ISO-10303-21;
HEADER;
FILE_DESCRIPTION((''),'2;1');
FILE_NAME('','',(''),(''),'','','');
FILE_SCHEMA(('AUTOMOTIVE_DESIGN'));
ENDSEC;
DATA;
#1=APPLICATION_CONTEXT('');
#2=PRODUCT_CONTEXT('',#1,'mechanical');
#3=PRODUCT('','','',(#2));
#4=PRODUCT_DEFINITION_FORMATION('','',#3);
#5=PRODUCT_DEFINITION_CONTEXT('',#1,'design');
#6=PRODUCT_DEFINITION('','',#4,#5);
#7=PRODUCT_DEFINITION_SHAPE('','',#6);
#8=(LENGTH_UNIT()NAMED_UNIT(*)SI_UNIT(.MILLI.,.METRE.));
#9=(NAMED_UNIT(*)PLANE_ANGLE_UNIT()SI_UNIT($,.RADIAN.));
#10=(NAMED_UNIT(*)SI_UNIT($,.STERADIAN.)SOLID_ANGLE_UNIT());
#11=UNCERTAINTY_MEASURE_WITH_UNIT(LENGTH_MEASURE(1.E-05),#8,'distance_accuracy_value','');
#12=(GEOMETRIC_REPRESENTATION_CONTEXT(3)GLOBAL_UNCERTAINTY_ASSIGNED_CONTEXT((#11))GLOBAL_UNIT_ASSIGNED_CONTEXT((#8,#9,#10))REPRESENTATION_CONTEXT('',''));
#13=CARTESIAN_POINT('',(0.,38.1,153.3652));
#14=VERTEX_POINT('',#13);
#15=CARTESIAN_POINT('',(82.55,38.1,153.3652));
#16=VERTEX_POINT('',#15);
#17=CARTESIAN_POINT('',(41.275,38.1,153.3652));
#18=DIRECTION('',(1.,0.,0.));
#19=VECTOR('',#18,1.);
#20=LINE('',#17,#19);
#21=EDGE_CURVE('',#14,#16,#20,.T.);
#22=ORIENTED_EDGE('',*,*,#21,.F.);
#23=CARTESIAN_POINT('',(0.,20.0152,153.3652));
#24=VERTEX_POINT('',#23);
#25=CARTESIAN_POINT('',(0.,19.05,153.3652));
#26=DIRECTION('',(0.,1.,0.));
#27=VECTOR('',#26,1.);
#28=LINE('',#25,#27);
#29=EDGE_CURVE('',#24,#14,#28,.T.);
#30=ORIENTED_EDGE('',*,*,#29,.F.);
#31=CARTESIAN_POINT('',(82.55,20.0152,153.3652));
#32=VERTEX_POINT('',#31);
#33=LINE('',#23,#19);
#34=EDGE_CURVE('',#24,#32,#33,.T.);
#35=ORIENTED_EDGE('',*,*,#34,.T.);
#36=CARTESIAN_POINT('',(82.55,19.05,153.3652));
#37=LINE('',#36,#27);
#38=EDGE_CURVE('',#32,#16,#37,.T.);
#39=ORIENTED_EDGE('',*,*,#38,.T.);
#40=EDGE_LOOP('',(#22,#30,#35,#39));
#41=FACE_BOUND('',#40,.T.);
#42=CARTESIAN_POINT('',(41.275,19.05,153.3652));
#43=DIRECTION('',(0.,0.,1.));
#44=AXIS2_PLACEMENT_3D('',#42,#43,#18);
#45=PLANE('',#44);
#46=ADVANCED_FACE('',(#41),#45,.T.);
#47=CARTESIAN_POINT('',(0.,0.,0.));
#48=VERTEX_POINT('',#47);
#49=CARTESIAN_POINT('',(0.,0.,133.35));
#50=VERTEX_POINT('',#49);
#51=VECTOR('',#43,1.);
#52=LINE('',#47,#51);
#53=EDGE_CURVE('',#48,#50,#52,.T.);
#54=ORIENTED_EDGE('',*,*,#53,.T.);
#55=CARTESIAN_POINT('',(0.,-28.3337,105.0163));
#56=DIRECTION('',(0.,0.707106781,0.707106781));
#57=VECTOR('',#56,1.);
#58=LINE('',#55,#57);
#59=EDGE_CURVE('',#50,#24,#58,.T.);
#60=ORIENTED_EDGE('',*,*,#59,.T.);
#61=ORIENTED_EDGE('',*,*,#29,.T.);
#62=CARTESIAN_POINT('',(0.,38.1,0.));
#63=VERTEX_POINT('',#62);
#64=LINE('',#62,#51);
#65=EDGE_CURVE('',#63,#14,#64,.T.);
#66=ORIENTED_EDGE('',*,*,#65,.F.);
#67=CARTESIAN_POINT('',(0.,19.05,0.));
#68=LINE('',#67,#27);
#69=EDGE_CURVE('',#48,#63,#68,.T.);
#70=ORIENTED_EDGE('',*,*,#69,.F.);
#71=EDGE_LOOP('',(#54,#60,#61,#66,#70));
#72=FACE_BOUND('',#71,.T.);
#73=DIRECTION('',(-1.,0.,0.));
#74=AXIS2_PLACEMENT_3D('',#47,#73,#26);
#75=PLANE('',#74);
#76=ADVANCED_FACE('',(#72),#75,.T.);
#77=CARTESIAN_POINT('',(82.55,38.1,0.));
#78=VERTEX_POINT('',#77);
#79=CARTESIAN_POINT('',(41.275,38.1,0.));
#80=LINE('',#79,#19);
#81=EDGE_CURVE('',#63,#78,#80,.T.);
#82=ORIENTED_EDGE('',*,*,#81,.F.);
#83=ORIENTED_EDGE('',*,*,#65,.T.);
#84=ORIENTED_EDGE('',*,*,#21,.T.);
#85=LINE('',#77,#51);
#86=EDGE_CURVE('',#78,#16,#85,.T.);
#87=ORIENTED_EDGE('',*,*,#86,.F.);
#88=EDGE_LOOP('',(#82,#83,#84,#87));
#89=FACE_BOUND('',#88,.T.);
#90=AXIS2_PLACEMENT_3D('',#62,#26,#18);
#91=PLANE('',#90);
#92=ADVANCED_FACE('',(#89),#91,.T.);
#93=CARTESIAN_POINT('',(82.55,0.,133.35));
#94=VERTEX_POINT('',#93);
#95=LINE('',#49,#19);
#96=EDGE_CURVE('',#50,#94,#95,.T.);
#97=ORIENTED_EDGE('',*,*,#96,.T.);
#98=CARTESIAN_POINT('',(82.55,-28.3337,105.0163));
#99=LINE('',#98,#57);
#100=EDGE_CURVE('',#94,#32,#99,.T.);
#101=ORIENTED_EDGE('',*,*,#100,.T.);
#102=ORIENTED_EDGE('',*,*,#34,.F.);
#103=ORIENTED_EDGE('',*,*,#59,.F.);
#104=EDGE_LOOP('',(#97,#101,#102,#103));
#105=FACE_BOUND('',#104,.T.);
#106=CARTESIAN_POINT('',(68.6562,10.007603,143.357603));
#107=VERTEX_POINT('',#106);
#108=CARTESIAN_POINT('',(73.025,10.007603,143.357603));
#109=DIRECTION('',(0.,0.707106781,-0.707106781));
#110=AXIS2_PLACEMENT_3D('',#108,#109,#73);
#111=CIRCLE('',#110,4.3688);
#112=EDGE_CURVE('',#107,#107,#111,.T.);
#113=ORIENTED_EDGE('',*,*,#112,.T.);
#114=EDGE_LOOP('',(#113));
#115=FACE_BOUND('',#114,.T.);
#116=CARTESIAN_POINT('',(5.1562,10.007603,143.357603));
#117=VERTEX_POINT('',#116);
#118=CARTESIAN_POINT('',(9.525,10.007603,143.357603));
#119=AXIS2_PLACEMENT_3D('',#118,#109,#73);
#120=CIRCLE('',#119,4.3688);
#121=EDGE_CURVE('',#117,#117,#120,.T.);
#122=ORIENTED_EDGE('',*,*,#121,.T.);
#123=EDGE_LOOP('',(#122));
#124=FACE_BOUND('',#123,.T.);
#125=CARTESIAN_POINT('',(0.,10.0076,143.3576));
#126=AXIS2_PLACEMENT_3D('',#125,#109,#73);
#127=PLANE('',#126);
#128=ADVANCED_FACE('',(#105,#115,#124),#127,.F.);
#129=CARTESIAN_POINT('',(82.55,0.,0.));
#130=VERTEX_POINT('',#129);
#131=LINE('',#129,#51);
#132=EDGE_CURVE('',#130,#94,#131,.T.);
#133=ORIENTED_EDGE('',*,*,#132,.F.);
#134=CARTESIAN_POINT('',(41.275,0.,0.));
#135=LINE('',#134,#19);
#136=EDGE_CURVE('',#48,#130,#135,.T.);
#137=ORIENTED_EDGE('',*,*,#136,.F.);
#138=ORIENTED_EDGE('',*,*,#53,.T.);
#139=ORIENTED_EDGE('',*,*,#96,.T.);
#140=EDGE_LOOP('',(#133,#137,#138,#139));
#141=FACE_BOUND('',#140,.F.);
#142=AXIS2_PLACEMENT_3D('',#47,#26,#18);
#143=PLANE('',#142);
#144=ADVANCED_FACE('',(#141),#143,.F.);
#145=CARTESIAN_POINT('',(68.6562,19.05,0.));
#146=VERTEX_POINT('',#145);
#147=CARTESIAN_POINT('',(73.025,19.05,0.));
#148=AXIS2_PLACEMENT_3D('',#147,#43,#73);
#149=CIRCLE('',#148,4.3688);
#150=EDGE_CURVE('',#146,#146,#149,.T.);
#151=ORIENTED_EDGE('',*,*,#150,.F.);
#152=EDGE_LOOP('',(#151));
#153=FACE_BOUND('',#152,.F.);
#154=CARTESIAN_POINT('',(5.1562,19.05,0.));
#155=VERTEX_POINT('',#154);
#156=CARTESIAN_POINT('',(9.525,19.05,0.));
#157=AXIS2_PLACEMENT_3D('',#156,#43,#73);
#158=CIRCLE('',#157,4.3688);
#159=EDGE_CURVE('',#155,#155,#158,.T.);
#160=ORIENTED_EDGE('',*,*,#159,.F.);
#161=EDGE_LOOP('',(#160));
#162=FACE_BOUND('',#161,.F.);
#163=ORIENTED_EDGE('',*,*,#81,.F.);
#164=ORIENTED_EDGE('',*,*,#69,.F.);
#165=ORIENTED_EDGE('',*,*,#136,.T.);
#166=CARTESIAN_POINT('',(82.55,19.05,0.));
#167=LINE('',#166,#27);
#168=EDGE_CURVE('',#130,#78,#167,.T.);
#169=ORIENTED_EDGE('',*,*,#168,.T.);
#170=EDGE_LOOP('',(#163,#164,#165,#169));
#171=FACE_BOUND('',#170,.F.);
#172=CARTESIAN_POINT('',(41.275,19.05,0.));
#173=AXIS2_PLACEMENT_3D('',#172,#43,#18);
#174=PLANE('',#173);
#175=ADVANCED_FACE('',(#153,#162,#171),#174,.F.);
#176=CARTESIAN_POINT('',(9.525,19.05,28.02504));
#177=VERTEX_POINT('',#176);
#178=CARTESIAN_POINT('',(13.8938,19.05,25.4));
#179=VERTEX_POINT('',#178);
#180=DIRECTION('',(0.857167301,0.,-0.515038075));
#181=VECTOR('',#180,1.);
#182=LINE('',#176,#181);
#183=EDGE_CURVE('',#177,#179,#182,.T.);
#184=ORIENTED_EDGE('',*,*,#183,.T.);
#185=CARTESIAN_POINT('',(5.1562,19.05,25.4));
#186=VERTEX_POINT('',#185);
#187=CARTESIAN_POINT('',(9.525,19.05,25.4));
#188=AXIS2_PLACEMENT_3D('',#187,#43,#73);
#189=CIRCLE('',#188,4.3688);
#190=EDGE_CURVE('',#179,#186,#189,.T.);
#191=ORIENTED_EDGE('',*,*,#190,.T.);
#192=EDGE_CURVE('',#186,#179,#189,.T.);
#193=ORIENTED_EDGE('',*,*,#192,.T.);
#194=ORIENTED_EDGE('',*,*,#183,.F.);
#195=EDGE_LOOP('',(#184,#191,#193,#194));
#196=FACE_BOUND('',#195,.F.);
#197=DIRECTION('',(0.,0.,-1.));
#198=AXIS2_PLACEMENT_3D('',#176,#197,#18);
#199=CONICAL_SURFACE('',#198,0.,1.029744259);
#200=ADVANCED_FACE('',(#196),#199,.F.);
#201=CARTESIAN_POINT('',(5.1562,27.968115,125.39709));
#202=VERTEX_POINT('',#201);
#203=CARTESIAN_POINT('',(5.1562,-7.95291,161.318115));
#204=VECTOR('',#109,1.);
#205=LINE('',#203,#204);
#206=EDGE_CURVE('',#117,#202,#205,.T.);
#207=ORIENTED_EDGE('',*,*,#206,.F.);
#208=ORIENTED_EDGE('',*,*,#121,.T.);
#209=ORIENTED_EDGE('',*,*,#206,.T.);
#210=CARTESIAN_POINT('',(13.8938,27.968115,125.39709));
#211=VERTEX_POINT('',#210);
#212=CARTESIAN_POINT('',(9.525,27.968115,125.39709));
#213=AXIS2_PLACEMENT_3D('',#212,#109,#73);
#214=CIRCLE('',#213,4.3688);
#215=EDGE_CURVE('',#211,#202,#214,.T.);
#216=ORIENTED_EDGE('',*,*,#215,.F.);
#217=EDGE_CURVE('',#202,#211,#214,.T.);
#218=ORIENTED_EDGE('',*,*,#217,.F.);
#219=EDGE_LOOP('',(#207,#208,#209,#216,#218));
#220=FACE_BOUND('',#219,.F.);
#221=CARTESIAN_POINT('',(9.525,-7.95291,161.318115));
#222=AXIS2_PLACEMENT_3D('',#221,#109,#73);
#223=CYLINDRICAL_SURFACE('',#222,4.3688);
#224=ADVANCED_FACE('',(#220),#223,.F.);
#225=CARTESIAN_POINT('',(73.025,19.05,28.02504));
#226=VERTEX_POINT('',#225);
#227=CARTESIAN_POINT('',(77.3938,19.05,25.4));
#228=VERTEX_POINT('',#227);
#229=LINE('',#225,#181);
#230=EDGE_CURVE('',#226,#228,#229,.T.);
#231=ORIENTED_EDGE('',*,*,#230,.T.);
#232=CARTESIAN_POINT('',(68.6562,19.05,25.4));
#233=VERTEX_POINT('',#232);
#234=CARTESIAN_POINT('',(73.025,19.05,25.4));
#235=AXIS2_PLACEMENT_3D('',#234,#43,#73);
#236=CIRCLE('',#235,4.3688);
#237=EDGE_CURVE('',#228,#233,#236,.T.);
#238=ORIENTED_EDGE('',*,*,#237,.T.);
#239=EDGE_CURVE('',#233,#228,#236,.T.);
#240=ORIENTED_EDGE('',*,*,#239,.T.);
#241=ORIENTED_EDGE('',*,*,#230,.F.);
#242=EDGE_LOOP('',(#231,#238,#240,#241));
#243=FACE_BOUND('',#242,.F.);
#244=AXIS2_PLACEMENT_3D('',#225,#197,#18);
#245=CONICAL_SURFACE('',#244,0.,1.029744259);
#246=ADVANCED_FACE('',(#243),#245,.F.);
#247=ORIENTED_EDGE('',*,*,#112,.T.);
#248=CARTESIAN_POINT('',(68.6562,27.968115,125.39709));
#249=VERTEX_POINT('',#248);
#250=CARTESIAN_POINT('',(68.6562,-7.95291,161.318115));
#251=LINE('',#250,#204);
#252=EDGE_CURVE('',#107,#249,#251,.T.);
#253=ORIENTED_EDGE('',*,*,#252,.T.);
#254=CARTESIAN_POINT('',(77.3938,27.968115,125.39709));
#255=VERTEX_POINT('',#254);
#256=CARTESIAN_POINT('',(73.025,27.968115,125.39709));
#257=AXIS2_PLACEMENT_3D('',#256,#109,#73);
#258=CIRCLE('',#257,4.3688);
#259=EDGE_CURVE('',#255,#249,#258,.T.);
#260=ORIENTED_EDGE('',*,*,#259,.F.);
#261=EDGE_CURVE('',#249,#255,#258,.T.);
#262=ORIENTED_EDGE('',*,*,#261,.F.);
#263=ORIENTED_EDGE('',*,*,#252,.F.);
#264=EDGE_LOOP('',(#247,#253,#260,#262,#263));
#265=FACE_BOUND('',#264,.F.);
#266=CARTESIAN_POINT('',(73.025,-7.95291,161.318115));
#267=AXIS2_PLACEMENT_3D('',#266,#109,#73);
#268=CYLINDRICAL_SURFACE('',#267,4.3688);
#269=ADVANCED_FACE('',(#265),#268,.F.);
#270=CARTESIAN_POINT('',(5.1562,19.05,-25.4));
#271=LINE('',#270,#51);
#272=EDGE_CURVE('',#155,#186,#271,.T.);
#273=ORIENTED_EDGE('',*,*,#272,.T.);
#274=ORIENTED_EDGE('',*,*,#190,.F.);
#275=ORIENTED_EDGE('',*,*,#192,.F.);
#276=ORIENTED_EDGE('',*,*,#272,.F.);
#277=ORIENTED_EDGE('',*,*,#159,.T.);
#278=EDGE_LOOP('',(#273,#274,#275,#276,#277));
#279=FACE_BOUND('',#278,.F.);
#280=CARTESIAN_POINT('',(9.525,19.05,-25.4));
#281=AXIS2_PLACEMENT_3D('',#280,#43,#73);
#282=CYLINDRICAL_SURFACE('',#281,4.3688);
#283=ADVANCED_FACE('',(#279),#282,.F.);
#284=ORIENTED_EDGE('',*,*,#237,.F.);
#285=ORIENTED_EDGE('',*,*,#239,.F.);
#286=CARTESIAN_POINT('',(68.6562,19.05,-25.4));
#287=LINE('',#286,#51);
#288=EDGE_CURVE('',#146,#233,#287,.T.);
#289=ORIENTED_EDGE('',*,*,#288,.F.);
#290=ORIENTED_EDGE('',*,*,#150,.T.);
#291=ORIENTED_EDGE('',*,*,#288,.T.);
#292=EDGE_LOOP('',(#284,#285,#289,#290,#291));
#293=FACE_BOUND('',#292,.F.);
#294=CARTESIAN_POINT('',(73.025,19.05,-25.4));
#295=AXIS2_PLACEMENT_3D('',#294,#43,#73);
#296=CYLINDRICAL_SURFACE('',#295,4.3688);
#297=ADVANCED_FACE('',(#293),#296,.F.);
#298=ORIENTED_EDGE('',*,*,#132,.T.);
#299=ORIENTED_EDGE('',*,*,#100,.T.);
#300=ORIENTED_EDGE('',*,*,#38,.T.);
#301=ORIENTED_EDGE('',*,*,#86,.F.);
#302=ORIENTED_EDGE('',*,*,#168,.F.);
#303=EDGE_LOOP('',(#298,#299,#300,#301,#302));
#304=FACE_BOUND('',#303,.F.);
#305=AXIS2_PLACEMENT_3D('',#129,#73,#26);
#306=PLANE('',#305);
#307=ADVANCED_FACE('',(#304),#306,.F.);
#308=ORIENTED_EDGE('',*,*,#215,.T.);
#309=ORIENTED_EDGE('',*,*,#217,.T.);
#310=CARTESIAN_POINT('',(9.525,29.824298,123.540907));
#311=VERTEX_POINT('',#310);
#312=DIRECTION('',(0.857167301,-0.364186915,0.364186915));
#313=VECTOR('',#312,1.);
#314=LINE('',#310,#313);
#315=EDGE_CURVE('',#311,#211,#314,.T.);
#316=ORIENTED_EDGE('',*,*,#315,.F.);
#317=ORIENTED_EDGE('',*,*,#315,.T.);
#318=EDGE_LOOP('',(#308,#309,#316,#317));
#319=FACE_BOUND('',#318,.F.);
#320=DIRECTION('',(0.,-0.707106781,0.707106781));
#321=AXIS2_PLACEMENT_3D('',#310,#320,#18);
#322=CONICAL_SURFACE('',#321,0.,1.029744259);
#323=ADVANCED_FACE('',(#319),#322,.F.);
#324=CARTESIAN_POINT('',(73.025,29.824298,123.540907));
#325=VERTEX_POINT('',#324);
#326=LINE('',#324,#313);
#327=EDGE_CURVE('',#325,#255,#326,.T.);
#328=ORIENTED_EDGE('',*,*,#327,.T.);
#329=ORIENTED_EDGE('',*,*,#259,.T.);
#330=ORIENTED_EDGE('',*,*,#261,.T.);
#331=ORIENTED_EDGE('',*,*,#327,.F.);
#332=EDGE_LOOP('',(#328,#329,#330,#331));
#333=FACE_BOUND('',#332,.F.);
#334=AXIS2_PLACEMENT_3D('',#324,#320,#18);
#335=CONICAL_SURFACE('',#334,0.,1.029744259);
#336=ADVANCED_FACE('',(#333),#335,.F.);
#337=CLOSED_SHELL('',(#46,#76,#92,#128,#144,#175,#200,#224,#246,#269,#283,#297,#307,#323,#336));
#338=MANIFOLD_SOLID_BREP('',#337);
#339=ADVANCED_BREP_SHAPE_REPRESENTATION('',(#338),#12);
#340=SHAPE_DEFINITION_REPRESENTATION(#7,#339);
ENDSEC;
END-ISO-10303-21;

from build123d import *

# Parameters (mm, degrees)
F0_W     = 82.55
F0_H     = 38.1
F1_DEPTH = 153.3652
F2_SIZE2 = 20.0152
F2_SIZE  = 20.0152
F4_D     = 8.7376
F4_DEPTH = 25.4
F4_TIP   = 2.6250398724
F6_D     = 8.7376
F6_DEPTH = 25.4
F6_TIP   = 2.6250398724


with BuildPart() as f1:
    # F0 (on Top) → F1 (new body)
    with BuildSketch(Plane.XY):
        with Locations((41.275, 19.05)):
            Rectangle(F0_W, F0_H)
    extrude(amount=F1_DEPTH)

    # F2
    f2_edges = [f1.edges().sort_by_distance(p)[0] for p in [
        (41.275, 0, 153.3652),
    ]]
    chamfer(f2_edges, length=F2_SIZE, length2=F2_SIZE2)

    # F4
    with Locations(Plane(origin=(0, -66.675, 66.675), x_dir=(1, 0, 0), z_dir=(0, -0.7071067812, 0.7071067812))):
        with Locations((9.525, 108.4455765648), (73.025, 108.4455765648)):
            Hole(F4_D / 2, depth=F4_DEPTH)
            with Locations((0, 0, -(F4_DEPTH + F4_TIP / 2))):  # 118° drill point
                Cone(0, F4_D / 2, F4_TIP, mode=Mode.SUBTRACT)

    # F6
    with Locations(Plane(origin=(0, 0, 0), x_dir=(1, 0, 0), z_dir=(0, 0, -1))):
        with Locations((9.525, -19.05), (73.025, -19.05)):
            Hole(F6_D / 2, depth=F6_DEPTH)
            with Locations((0, 0, -(F6_DEPTH + F6_TIP / 2))):  # 118° drill point
                Cone(0, F6_D / 2, F6_TIP, mode=Mode.SUBTRACT)


solid = f1.part
